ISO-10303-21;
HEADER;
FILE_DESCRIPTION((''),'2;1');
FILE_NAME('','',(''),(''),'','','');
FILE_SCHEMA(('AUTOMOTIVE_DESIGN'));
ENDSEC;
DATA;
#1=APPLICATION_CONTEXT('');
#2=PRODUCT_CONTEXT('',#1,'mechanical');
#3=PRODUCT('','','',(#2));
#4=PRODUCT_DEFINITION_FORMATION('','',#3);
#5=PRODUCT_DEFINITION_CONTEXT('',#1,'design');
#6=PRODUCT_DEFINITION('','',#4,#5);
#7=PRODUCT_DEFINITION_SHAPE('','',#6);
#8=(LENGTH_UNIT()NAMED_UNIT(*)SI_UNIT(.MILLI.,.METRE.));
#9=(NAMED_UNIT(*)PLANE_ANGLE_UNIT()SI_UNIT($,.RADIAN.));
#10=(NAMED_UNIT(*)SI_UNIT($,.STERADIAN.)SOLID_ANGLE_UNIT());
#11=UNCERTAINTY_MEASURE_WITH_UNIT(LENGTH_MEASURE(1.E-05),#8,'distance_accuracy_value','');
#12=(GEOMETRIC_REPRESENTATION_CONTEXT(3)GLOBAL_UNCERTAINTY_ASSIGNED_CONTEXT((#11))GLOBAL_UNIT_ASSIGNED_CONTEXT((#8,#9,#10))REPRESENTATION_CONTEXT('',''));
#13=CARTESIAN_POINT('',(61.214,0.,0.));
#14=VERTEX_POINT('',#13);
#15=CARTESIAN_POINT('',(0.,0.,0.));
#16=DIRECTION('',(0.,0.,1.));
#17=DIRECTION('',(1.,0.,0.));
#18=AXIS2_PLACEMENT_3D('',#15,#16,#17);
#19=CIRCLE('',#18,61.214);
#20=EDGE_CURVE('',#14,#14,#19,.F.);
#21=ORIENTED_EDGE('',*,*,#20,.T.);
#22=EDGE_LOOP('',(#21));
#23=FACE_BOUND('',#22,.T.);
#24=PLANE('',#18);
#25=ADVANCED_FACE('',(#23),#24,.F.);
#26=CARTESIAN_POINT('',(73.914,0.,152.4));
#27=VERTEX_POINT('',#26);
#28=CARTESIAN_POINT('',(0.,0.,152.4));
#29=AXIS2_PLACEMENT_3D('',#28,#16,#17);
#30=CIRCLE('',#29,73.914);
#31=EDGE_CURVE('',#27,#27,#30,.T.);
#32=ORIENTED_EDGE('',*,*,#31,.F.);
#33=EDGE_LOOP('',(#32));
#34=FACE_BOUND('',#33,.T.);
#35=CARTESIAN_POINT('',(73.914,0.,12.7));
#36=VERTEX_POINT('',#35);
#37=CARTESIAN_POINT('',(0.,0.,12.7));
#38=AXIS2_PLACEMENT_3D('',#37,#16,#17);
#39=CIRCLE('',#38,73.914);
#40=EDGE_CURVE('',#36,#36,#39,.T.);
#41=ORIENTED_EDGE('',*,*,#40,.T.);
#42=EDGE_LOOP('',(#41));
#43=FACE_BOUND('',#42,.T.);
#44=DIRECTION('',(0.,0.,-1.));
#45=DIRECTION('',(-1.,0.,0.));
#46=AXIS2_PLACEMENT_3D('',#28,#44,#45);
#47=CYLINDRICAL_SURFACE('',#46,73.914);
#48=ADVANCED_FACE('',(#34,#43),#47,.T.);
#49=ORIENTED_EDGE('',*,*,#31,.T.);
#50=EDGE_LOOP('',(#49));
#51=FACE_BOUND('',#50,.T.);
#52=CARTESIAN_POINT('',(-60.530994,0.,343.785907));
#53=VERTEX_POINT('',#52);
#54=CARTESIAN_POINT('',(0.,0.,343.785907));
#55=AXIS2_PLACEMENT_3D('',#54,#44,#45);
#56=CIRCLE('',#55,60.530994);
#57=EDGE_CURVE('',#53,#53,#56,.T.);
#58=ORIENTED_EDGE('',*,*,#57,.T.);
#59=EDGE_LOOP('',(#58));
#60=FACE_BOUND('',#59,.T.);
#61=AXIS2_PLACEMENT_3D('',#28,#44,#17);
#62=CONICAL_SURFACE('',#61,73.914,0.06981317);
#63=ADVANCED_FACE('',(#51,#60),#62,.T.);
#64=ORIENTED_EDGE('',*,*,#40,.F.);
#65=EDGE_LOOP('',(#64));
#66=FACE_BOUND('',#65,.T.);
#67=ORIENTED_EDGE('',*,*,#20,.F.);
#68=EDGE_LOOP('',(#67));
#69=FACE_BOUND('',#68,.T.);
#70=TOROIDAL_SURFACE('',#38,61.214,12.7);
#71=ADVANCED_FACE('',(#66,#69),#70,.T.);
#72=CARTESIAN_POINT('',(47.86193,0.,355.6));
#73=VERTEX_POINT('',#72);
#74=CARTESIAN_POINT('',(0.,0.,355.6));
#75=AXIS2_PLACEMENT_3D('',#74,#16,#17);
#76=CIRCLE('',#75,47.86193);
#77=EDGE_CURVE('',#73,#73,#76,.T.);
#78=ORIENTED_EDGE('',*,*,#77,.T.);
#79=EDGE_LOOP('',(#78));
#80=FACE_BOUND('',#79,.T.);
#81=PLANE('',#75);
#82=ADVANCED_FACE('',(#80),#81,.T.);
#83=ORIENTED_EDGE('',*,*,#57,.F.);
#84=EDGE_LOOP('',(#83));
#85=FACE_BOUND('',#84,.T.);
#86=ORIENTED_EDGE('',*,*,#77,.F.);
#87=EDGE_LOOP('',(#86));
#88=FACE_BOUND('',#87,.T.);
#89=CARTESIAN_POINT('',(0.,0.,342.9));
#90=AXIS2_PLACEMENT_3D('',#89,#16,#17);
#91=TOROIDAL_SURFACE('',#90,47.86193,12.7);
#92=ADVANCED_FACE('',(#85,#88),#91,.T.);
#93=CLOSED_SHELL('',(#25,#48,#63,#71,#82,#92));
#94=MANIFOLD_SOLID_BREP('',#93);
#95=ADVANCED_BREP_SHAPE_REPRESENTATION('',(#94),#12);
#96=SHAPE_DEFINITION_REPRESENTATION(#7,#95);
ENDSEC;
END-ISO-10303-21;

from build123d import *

# Parameters (mm, degrees)
SKETCH1_R           = 73.914
BOSS_EXTRUDE1_DEPTH = 152.4
SKETCH2_R           = 73.914
BOSS_EXTRUDE2_DEPTH = 203.2
BOSS_EXTRUDE2_TAPER = 4
FILLET1_R           = 12.7


with BuildPart() as part:
    # Sketch1 → Boss-Extrude1 (new body)
    with BuildSketch(Plane.XY):
        Circle(SKETCH1_R)
    extrude(amount=BOSS_EXTRUDE1_DEPTH)

    # Sketch2 → Boss-Extrude2 (add)
    with BuildSketch(Plane.XY.offset(152.4)):
        Circle(SKETCH2_R)
    extrude(amount=BOSS_EXTRUDE2_DEPTH, taper=BOSS_EXTRUDE2_TAPER)

    # Fillet1
    fillet1_edges = [part.edges().sort_by_distance(p)[0] for p in [
        (-73.914, 0, 0),
        (-59.704871813, 0, 355.6),
    ]]
    fillet(fillet1_edges, radius=FILLET1_R)


solid = part.part
